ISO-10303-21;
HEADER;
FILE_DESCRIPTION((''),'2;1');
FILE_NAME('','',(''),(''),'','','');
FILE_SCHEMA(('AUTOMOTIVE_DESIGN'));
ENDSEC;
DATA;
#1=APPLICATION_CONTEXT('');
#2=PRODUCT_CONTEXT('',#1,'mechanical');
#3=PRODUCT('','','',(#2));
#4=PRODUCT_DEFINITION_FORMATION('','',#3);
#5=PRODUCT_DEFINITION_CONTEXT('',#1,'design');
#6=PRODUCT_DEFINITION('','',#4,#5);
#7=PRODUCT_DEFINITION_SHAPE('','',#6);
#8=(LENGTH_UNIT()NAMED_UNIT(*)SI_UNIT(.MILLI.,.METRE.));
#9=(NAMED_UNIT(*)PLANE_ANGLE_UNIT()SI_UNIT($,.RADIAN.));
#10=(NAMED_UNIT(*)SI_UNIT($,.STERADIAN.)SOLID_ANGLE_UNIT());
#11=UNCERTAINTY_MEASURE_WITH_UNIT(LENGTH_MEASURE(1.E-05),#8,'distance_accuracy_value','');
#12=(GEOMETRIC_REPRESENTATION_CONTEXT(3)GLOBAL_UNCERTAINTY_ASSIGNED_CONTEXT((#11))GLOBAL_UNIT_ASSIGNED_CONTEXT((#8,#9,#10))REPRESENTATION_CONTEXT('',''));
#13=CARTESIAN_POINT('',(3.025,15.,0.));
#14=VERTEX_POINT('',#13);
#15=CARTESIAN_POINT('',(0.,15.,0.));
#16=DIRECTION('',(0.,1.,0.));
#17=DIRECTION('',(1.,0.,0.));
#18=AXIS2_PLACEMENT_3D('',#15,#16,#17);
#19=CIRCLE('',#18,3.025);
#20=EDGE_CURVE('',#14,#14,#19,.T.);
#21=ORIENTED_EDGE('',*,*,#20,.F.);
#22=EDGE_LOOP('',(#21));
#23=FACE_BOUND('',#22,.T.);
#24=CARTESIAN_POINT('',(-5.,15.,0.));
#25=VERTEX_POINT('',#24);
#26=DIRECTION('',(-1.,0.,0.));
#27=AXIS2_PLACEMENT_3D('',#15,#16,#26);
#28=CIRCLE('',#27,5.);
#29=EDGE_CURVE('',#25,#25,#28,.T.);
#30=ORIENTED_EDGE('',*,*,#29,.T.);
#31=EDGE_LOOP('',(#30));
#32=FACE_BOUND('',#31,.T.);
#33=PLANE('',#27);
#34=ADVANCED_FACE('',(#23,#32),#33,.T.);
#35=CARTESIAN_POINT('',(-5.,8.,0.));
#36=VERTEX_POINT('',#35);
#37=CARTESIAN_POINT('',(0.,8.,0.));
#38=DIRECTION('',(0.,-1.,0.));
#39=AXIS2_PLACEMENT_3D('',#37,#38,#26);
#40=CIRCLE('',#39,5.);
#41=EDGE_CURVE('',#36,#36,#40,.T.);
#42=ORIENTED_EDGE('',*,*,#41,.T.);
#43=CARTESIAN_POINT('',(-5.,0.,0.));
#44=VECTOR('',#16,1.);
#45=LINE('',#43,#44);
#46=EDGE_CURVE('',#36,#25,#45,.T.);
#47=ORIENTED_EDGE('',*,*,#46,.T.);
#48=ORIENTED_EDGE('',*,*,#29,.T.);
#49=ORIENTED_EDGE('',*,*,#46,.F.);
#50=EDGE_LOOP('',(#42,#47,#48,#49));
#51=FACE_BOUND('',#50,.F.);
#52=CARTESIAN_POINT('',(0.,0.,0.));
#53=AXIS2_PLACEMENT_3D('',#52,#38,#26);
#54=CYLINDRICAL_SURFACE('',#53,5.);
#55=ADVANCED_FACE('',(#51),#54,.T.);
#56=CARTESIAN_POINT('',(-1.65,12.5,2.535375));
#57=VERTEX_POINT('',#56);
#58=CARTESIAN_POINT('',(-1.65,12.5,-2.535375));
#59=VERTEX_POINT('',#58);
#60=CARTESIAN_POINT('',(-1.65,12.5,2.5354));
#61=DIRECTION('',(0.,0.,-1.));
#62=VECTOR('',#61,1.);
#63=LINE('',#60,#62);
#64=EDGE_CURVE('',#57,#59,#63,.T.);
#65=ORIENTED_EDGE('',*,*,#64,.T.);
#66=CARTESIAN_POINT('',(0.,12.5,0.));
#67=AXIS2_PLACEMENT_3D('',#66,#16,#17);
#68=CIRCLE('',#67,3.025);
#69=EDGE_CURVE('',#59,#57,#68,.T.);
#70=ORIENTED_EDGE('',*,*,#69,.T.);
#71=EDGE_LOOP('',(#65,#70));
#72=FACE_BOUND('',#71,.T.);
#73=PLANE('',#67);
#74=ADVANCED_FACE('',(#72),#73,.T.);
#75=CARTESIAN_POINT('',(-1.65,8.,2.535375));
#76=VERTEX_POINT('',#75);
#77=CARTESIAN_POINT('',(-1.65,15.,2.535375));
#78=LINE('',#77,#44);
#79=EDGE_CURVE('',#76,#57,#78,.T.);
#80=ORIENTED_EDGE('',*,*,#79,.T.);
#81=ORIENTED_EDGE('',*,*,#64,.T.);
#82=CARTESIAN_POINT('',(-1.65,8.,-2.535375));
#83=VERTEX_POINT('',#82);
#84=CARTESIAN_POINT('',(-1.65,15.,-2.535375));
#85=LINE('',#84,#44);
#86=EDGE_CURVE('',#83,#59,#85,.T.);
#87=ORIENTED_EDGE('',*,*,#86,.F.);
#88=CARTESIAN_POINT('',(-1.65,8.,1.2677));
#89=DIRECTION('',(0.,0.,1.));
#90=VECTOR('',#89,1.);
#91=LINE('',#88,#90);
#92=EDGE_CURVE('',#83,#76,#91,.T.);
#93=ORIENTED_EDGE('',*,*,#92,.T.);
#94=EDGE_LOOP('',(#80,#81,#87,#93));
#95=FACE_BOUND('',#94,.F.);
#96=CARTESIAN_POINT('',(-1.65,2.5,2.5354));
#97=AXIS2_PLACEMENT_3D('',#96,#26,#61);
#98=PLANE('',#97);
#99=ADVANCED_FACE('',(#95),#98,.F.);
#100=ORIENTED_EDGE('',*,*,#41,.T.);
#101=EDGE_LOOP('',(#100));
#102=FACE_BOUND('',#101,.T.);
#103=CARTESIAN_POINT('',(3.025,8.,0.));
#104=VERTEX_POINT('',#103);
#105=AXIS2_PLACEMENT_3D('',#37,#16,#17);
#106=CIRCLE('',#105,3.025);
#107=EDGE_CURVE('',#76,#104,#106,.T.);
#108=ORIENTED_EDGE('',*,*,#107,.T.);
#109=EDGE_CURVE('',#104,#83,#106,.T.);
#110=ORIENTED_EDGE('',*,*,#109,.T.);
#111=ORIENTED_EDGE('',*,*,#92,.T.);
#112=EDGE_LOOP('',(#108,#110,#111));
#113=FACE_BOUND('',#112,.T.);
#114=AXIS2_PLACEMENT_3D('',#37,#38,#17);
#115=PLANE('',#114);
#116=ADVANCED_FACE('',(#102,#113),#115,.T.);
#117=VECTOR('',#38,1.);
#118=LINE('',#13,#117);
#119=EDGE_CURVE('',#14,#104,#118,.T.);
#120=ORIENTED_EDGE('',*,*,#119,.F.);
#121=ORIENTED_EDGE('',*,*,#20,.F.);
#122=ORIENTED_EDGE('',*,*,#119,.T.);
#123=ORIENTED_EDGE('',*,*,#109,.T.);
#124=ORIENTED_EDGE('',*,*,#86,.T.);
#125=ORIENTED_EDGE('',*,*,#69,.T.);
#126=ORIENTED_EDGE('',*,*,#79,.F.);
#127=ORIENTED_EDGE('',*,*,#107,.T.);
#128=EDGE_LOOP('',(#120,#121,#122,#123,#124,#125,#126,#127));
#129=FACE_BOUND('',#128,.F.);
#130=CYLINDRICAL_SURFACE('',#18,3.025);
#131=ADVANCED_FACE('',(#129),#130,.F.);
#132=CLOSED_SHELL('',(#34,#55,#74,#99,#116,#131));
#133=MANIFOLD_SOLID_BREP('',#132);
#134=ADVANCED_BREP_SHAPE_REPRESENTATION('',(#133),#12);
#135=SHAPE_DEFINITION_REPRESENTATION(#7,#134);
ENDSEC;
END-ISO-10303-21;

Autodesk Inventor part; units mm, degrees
ref_plane "YZ Plane" through (0, 0, 0) normal (1, 0, 0) x (0, 1, 0)
ref_plane "XZ Plane" through (0, 0, 0) normal (0, 1, 0) x (-1, 0, 0)
ref_plane "XY Plane" through (0, 0, 0) normal (0, 0, 1) x (1, 0, 0)
sketch "Sketch1" plane through (0, 0, 0) normal (0, 1, 0) x (-1, 0, 0)
  circle A0 centre (0, 0) radius 5
  dimension "d0" = 10
extrude "Extrusion1" add sketch "Sketch1" along normal blind 15
sketch "Sketch2" plane through (0, 15, 0) normal (0, 1, 0) x (1, 0, 0)
  circle A0 centre (0, 0) radius 3.025
  dimension "d3" = 6.05
extrude "Extrusion2" cut sketch "Sketch2" against normal blind 12.5
sketch "Sketch3" plane through (0, 2.5, 0) normal (0, 1, 0) x (1, 0, 0)
  circle A0 centre (0, 0) radius 3.025 construction
  line L0 (-1.65, -3.3431) -> (-1.65, 4.0859) construction
  arc A1 (-1.65, 2.5354) -> (-1.65, -2.5354) centre (0, 0) ccw
  line L1 (-1.65, -2.5354) -> (-1.65, 2.5354)
  dimension "d6" = 1.65
extrude "Extrusion3" add sketch "Sketch3" along normal blind 10
sketch "Sketch4" plane through (0, 0, 0) normal (0, -1, 0) x (1, 0, 0)
  circle A0 centre (0, 0) radius 5 projected
extrude "Extrusion4" cut sketch "Sketch4" against normal blind 8
properties part number "test_axis"
